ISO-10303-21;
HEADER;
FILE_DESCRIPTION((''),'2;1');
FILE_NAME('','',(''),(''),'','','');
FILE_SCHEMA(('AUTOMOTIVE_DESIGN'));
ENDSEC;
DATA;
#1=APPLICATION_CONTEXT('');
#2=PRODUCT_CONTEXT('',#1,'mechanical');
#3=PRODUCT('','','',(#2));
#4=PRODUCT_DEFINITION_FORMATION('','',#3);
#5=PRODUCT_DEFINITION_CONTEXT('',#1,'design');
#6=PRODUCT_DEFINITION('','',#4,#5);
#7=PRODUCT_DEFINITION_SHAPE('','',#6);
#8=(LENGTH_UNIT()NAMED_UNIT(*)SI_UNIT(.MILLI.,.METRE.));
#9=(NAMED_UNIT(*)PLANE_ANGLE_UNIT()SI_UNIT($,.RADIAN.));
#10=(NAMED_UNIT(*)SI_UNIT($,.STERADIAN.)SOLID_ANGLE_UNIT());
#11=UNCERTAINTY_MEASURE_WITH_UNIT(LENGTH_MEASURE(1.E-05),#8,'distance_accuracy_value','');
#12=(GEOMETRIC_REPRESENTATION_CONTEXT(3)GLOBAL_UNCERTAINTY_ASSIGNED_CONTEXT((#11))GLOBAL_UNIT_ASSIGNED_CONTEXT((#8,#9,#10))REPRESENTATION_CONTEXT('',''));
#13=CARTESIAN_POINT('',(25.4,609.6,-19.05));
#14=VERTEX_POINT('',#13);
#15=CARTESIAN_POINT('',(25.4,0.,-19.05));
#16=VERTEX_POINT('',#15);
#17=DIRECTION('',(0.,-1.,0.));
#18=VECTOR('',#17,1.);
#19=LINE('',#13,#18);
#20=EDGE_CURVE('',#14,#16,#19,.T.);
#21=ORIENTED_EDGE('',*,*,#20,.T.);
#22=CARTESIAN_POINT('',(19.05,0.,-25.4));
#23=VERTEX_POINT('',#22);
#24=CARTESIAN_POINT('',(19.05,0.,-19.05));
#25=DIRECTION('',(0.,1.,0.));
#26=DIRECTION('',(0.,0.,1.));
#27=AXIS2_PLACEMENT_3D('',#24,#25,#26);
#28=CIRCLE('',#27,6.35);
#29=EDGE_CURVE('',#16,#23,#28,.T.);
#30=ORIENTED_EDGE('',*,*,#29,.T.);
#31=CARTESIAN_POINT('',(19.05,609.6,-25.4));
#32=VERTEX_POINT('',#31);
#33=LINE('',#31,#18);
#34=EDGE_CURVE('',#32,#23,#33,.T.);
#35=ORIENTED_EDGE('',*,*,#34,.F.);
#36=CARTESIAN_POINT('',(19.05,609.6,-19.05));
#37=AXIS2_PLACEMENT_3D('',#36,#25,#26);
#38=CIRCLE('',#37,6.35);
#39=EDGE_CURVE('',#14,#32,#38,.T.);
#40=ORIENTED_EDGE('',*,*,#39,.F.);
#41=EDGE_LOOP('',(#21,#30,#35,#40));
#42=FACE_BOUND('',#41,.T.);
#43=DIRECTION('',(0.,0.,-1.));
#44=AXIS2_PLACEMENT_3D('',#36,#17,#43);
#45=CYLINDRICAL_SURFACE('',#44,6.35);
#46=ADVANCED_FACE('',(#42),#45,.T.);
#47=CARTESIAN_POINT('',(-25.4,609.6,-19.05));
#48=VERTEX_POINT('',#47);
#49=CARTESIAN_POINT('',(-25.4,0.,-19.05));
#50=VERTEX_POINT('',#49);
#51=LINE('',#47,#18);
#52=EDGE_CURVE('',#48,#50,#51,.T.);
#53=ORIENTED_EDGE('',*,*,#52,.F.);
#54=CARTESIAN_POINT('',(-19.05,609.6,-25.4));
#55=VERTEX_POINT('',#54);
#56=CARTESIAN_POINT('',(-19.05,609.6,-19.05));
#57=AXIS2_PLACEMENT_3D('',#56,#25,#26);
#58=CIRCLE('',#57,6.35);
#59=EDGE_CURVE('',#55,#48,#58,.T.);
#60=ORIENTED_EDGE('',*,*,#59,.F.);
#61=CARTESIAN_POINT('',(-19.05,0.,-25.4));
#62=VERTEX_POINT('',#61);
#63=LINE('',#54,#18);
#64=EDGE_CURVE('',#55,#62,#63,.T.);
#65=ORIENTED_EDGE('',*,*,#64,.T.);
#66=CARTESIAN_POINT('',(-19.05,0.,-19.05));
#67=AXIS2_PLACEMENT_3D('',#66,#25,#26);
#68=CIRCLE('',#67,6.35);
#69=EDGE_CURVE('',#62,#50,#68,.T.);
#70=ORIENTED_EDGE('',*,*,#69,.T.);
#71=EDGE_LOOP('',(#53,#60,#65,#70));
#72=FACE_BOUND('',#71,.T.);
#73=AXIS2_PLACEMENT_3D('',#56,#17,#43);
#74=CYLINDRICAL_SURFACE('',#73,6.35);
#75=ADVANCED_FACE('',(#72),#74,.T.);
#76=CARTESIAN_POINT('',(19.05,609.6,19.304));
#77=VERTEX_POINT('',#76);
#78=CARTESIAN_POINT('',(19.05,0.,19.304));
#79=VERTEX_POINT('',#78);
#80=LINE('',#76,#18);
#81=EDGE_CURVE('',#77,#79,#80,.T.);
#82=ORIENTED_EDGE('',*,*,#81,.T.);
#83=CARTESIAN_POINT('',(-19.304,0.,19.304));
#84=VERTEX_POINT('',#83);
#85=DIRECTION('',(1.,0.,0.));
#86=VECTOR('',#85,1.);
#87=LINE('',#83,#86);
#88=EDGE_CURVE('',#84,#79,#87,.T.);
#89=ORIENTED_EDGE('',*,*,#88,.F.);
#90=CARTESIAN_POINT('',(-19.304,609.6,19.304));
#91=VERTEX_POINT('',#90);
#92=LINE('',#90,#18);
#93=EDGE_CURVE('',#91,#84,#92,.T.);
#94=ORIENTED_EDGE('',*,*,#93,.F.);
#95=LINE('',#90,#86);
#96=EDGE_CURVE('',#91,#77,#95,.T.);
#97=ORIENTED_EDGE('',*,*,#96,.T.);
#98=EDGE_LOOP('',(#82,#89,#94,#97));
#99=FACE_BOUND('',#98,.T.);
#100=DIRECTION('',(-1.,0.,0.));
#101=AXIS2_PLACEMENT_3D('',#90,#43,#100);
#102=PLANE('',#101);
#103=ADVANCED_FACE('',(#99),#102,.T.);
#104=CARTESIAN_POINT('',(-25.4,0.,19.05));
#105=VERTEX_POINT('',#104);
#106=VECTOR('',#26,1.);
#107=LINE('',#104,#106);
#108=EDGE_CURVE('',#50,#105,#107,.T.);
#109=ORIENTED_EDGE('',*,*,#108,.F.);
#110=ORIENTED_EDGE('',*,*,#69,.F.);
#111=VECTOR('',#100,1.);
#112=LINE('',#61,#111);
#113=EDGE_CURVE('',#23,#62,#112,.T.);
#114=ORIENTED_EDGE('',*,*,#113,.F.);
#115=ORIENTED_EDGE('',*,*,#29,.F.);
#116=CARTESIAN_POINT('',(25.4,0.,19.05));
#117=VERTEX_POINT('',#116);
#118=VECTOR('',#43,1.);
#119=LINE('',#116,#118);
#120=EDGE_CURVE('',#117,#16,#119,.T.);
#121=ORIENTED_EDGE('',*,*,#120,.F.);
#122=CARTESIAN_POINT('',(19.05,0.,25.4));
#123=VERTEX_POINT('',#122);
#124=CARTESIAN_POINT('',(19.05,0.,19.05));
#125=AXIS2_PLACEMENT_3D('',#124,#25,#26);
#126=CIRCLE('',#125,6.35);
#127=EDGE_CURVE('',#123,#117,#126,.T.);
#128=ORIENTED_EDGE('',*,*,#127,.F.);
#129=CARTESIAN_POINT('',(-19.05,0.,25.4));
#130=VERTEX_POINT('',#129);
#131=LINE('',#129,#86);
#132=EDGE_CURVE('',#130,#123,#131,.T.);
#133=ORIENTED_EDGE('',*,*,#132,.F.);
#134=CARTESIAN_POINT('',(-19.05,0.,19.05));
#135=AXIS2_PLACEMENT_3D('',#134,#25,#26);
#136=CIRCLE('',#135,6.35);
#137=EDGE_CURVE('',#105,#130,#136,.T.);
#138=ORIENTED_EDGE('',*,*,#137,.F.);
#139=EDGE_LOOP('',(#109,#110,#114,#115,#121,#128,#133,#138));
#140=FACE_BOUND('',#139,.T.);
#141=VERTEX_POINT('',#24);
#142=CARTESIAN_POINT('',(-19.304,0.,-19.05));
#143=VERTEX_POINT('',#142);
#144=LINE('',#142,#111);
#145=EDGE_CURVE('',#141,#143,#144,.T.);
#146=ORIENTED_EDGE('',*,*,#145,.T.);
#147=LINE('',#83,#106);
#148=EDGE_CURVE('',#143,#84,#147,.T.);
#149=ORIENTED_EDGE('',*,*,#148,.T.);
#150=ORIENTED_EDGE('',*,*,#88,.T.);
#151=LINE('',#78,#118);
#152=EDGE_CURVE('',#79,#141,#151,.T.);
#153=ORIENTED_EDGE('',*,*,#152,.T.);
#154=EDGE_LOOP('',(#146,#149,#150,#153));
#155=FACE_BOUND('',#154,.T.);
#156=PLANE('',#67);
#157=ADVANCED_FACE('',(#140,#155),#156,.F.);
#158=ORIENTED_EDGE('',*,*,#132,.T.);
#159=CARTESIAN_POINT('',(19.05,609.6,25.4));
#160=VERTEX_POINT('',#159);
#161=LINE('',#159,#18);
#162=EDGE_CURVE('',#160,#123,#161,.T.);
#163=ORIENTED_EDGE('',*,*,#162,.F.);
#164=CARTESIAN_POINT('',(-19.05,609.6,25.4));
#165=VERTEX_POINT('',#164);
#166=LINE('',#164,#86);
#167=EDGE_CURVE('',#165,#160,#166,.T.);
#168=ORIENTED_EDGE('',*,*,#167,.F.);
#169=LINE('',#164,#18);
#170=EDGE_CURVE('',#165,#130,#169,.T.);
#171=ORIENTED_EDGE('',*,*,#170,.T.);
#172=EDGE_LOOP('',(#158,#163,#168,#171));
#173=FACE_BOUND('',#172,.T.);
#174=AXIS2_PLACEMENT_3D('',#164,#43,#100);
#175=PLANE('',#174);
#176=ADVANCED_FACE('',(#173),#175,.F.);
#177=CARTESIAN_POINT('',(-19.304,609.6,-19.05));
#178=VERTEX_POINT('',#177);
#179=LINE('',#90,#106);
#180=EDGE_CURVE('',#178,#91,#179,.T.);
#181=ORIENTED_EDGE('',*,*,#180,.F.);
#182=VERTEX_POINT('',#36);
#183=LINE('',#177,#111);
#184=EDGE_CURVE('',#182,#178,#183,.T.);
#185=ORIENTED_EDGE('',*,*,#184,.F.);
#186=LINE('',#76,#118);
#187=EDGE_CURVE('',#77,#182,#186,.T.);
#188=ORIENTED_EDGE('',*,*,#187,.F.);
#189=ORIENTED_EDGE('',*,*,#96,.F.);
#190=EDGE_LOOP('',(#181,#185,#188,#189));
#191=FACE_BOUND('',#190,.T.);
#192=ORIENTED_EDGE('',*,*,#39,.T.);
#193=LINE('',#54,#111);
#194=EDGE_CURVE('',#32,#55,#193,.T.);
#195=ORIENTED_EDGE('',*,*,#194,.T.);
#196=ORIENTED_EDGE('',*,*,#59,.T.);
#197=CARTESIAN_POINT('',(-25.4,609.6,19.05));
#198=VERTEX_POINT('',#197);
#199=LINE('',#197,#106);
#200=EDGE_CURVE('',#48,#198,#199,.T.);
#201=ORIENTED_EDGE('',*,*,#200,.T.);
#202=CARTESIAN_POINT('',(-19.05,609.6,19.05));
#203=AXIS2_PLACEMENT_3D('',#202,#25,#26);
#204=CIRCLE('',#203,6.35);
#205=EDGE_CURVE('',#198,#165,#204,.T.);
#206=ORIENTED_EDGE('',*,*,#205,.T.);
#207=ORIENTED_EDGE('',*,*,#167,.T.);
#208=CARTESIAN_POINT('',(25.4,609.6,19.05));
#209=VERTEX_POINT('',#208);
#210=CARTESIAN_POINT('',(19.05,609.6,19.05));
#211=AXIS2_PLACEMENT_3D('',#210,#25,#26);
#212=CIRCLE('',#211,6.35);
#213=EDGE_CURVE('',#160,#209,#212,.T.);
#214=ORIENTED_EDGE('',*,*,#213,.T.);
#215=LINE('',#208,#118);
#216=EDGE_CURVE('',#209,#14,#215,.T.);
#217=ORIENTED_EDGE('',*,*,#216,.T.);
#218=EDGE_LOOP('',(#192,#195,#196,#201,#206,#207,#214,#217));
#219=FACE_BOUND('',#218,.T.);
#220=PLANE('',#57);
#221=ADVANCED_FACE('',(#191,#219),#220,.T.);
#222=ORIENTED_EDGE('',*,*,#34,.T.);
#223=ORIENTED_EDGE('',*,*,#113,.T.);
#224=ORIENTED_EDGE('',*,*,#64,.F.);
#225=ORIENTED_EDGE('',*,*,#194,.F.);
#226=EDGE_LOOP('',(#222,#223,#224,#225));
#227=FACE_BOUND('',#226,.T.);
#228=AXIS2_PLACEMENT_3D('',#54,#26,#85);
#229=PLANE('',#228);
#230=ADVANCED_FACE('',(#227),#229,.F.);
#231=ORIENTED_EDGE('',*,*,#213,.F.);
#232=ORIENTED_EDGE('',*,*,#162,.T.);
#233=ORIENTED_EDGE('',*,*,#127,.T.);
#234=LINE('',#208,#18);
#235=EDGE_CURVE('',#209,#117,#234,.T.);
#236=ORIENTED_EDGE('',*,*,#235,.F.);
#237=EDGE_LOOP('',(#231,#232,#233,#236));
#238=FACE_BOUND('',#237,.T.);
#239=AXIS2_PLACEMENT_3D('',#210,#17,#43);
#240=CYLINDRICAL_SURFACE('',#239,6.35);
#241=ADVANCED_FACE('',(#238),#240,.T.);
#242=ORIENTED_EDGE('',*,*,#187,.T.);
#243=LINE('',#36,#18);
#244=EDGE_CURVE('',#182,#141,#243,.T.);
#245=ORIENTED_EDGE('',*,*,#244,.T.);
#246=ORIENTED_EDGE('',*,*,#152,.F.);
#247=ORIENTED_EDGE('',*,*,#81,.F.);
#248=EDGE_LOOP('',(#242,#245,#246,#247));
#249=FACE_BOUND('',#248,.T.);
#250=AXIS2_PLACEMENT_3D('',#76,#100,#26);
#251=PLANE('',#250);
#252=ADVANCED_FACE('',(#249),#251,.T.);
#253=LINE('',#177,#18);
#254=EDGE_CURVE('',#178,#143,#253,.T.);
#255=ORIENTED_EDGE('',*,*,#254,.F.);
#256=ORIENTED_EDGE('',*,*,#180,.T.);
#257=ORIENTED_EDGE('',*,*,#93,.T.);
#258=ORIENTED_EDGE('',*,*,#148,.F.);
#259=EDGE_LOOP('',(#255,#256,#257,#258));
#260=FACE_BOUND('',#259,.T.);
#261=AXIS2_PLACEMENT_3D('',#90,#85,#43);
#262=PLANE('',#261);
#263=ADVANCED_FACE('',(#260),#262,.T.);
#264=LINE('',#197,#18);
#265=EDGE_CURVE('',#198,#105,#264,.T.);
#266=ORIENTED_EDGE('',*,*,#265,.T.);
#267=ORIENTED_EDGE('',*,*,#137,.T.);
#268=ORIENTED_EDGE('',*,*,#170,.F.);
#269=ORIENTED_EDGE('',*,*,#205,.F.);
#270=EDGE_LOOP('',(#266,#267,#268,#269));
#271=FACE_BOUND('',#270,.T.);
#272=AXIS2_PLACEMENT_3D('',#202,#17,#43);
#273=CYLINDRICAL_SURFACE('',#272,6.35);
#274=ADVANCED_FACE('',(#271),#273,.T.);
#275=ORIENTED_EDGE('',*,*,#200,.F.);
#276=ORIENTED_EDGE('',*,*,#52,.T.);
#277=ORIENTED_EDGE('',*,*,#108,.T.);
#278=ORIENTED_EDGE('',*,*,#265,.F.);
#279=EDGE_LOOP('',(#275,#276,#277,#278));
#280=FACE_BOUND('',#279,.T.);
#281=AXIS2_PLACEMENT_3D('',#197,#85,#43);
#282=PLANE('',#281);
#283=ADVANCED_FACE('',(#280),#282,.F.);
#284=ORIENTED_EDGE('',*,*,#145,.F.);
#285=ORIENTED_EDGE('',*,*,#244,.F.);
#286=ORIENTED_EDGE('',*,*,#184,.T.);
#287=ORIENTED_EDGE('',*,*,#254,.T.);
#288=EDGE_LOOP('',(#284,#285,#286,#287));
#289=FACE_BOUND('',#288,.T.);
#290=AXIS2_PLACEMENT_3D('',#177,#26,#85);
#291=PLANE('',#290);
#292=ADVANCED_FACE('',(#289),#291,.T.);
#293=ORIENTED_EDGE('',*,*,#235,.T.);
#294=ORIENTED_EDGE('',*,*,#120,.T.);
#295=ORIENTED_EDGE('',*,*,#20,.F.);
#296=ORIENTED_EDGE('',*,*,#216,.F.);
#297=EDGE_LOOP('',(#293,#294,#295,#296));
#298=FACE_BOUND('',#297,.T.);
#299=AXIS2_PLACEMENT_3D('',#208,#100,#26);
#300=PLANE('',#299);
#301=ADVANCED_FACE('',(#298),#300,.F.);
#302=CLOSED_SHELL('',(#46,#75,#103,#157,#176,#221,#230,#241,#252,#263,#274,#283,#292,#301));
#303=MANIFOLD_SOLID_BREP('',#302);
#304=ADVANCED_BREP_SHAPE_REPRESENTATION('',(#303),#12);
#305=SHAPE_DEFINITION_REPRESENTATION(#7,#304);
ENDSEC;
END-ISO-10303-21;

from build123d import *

# Parameters (mm, degrees)
SKETCH1_W      = 38.354
SKETCH1_H      = 38.354
EXTRUDE1_DEPTH = 609.6


with BuildPart() as part:
    # Sketch1 → Extrude1 (new body)
    with BuildSketch(Plane(origin=(0, 0, 0), x_dir=(1, 0, 0), z_dir=(0, 1, 0))):
        with BuildLine():
            Line((-19.05, -25.4), (19.05, -25.4))
            ThreePointArc((19.05, -25.4), (23.540128061, -23.540128061), (25.4, -19.05))
            Line((25.4, -19.05), (25.4, 19.05))
            ThreePointArc((25.4, 19.05), (23.540128061, 23.540128061), (19.05, 25.4))
            Line((19.05, 25.4), (-19.05, 25.4))
            ThreePointArc((-19.05, 25.4), (-23.540128061, 23.540128061), (-25.4, 19.05))
            Line((-25.4, 19.05), (-25.4, -19.05))
            ThreePointArc((-25.4, -19.05), (-23.540128061, -23.540128061), (-19.05, -25.4))
        make_face()
        with Locations((-0.127, -0.127)):
            Rectangle(SKETCH1_W, SKETCH1_H, mode=Mode.SUBTRACT)
    extrude(amount=EXTRUDE1_DEPTH)


solid = part.part
